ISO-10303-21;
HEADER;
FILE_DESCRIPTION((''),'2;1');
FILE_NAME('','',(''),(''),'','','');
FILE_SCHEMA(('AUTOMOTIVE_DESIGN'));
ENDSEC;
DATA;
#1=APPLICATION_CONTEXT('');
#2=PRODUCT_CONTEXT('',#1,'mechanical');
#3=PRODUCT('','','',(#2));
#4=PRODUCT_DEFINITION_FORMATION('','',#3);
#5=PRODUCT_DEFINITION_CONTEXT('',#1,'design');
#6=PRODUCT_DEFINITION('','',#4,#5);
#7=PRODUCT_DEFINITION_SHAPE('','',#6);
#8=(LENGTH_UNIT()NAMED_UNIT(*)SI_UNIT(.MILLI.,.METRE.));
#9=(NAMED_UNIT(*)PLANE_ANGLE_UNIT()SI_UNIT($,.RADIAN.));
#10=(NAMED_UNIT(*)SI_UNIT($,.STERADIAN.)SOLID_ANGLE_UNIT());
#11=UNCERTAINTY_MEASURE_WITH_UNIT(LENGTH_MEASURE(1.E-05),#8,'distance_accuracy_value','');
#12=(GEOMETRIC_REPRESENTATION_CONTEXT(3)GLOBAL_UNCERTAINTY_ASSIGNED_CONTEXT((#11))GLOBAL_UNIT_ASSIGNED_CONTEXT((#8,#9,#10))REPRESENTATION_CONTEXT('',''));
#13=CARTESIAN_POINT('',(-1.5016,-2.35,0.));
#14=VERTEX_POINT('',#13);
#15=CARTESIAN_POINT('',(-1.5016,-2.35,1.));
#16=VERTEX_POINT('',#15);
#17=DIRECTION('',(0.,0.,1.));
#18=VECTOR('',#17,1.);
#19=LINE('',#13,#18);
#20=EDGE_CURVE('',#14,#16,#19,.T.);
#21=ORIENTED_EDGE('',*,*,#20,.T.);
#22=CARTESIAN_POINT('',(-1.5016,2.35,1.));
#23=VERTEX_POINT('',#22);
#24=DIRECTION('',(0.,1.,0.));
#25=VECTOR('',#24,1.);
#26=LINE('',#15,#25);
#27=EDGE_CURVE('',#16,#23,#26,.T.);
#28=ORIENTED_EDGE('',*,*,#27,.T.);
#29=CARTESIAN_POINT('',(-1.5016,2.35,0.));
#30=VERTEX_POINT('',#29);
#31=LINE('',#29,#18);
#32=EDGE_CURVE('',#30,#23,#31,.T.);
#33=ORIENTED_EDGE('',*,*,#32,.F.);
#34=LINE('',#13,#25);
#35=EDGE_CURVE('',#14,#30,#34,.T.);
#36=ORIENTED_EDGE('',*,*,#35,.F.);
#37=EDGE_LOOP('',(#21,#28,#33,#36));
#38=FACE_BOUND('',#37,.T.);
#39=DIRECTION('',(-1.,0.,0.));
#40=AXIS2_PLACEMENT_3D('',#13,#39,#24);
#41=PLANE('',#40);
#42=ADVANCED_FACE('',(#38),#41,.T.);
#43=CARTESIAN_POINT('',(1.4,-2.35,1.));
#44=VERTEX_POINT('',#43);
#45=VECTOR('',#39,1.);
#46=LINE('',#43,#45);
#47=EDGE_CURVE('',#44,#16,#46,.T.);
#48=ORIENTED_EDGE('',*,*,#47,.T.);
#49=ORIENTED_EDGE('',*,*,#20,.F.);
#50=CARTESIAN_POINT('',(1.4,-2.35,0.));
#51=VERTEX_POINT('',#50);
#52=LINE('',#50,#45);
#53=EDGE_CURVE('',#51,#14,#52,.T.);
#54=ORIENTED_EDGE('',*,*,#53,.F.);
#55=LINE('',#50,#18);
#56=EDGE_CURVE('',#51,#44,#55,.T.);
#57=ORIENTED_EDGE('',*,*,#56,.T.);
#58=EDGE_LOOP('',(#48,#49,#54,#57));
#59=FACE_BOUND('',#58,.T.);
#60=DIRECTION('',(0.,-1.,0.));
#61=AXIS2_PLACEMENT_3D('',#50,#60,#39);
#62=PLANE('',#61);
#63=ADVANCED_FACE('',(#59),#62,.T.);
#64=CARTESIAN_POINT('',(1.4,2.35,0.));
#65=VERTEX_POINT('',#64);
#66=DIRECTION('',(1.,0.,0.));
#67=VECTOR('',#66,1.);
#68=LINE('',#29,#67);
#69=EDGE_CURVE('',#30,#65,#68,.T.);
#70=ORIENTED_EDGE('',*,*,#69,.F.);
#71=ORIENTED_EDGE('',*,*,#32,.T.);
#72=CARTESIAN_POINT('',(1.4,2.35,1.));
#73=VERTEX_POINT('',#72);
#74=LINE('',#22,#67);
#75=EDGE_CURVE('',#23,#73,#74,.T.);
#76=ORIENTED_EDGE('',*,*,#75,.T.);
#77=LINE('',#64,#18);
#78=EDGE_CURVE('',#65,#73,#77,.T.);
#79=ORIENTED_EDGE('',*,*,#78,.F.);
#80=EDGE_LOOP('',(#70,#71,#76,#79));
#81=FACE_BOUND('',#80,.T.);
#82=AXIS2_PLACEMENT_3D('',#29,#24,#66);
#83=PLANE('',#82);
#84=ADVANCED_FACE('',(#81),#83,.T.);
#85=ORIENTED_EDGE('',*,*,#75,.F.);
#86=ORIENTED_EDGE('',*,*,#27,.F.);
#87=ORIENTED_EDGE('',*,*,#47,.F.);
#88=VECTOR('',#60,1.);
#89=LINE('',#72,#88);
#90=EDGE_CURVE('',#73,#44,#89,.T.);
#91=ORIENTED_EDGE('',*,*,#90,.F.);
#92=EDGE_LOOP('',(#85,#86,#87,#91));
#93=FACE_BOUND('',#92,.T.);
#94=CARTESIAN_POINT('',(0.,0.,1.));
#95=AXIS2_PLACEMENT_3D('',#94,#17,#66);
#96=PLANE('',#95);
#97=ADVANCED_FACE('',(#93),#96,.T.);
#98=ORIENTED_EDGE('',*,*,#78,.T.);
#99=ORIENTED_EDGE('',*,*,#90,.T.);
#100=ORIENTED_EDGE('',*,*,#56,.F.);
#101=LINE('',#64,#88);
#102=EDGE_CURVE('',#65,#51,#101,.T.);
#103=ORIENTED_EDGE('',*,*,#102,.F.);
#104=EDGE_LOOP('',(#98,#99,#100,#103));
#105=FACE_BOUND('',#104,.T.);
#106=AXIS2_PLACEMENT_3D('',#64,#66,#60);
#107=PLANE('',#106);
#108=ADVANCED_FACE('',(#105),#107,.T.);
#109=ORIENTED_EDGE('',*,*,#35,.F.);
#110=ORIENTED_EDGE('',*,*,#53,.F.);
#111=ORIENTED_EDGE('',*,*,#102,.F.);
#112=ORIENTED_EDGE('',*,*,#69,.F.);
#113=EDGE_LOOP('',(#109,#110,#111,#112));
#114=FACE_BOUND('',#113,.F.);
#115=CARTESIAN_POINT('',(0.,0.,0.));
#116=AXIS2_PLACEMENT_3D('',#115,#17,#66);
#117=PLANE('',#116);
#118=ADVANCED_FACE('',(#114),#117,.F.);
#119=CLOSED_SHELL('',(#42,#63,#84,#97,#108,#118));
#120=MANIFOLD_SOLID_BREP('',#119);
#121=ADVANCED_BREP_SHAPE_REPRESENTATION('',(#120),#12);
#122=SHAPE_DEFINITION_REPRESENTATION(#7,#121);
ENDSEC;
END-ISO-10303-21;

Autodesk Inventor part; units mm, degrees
ref_plane "YZ Plane" through (0, 0, 0) normal (1, 0, 0) x (0, 1, 0)
ref_plane "XZ Plane" through (0, 0, 0) normal (0, 1, 0) x (-1, 0, 0)
ref_plane "XY Plane" through (0, 0, 0) normal (0, 0, 1) x (1, 0, 0)
sketch "P-LCC-2, LED_IC_2_STATUS_P-LCC-2_41" plane through (0, 0, 0) normal (0, 0, 1) x (1, 0, 0)
  line L0 (-1.5016, 2.35) -> (1.4, 2.35)
  line L1 (1.4, 2.35) -> (1.4, -2.35)
  line L2 (1.4, -2.35) -> (-1.5016, -2.35)
  line L3 (-1.5016, -2.35) -> (-1.5016, 2.35)
extrude "Extrusion1" add sketch "P-LCC-2, LED_IC_2_STATUS_P-LCC-2_41" along normal blind 1
properties part number "LED_IC_2_STATUS_P-LCC-2"
